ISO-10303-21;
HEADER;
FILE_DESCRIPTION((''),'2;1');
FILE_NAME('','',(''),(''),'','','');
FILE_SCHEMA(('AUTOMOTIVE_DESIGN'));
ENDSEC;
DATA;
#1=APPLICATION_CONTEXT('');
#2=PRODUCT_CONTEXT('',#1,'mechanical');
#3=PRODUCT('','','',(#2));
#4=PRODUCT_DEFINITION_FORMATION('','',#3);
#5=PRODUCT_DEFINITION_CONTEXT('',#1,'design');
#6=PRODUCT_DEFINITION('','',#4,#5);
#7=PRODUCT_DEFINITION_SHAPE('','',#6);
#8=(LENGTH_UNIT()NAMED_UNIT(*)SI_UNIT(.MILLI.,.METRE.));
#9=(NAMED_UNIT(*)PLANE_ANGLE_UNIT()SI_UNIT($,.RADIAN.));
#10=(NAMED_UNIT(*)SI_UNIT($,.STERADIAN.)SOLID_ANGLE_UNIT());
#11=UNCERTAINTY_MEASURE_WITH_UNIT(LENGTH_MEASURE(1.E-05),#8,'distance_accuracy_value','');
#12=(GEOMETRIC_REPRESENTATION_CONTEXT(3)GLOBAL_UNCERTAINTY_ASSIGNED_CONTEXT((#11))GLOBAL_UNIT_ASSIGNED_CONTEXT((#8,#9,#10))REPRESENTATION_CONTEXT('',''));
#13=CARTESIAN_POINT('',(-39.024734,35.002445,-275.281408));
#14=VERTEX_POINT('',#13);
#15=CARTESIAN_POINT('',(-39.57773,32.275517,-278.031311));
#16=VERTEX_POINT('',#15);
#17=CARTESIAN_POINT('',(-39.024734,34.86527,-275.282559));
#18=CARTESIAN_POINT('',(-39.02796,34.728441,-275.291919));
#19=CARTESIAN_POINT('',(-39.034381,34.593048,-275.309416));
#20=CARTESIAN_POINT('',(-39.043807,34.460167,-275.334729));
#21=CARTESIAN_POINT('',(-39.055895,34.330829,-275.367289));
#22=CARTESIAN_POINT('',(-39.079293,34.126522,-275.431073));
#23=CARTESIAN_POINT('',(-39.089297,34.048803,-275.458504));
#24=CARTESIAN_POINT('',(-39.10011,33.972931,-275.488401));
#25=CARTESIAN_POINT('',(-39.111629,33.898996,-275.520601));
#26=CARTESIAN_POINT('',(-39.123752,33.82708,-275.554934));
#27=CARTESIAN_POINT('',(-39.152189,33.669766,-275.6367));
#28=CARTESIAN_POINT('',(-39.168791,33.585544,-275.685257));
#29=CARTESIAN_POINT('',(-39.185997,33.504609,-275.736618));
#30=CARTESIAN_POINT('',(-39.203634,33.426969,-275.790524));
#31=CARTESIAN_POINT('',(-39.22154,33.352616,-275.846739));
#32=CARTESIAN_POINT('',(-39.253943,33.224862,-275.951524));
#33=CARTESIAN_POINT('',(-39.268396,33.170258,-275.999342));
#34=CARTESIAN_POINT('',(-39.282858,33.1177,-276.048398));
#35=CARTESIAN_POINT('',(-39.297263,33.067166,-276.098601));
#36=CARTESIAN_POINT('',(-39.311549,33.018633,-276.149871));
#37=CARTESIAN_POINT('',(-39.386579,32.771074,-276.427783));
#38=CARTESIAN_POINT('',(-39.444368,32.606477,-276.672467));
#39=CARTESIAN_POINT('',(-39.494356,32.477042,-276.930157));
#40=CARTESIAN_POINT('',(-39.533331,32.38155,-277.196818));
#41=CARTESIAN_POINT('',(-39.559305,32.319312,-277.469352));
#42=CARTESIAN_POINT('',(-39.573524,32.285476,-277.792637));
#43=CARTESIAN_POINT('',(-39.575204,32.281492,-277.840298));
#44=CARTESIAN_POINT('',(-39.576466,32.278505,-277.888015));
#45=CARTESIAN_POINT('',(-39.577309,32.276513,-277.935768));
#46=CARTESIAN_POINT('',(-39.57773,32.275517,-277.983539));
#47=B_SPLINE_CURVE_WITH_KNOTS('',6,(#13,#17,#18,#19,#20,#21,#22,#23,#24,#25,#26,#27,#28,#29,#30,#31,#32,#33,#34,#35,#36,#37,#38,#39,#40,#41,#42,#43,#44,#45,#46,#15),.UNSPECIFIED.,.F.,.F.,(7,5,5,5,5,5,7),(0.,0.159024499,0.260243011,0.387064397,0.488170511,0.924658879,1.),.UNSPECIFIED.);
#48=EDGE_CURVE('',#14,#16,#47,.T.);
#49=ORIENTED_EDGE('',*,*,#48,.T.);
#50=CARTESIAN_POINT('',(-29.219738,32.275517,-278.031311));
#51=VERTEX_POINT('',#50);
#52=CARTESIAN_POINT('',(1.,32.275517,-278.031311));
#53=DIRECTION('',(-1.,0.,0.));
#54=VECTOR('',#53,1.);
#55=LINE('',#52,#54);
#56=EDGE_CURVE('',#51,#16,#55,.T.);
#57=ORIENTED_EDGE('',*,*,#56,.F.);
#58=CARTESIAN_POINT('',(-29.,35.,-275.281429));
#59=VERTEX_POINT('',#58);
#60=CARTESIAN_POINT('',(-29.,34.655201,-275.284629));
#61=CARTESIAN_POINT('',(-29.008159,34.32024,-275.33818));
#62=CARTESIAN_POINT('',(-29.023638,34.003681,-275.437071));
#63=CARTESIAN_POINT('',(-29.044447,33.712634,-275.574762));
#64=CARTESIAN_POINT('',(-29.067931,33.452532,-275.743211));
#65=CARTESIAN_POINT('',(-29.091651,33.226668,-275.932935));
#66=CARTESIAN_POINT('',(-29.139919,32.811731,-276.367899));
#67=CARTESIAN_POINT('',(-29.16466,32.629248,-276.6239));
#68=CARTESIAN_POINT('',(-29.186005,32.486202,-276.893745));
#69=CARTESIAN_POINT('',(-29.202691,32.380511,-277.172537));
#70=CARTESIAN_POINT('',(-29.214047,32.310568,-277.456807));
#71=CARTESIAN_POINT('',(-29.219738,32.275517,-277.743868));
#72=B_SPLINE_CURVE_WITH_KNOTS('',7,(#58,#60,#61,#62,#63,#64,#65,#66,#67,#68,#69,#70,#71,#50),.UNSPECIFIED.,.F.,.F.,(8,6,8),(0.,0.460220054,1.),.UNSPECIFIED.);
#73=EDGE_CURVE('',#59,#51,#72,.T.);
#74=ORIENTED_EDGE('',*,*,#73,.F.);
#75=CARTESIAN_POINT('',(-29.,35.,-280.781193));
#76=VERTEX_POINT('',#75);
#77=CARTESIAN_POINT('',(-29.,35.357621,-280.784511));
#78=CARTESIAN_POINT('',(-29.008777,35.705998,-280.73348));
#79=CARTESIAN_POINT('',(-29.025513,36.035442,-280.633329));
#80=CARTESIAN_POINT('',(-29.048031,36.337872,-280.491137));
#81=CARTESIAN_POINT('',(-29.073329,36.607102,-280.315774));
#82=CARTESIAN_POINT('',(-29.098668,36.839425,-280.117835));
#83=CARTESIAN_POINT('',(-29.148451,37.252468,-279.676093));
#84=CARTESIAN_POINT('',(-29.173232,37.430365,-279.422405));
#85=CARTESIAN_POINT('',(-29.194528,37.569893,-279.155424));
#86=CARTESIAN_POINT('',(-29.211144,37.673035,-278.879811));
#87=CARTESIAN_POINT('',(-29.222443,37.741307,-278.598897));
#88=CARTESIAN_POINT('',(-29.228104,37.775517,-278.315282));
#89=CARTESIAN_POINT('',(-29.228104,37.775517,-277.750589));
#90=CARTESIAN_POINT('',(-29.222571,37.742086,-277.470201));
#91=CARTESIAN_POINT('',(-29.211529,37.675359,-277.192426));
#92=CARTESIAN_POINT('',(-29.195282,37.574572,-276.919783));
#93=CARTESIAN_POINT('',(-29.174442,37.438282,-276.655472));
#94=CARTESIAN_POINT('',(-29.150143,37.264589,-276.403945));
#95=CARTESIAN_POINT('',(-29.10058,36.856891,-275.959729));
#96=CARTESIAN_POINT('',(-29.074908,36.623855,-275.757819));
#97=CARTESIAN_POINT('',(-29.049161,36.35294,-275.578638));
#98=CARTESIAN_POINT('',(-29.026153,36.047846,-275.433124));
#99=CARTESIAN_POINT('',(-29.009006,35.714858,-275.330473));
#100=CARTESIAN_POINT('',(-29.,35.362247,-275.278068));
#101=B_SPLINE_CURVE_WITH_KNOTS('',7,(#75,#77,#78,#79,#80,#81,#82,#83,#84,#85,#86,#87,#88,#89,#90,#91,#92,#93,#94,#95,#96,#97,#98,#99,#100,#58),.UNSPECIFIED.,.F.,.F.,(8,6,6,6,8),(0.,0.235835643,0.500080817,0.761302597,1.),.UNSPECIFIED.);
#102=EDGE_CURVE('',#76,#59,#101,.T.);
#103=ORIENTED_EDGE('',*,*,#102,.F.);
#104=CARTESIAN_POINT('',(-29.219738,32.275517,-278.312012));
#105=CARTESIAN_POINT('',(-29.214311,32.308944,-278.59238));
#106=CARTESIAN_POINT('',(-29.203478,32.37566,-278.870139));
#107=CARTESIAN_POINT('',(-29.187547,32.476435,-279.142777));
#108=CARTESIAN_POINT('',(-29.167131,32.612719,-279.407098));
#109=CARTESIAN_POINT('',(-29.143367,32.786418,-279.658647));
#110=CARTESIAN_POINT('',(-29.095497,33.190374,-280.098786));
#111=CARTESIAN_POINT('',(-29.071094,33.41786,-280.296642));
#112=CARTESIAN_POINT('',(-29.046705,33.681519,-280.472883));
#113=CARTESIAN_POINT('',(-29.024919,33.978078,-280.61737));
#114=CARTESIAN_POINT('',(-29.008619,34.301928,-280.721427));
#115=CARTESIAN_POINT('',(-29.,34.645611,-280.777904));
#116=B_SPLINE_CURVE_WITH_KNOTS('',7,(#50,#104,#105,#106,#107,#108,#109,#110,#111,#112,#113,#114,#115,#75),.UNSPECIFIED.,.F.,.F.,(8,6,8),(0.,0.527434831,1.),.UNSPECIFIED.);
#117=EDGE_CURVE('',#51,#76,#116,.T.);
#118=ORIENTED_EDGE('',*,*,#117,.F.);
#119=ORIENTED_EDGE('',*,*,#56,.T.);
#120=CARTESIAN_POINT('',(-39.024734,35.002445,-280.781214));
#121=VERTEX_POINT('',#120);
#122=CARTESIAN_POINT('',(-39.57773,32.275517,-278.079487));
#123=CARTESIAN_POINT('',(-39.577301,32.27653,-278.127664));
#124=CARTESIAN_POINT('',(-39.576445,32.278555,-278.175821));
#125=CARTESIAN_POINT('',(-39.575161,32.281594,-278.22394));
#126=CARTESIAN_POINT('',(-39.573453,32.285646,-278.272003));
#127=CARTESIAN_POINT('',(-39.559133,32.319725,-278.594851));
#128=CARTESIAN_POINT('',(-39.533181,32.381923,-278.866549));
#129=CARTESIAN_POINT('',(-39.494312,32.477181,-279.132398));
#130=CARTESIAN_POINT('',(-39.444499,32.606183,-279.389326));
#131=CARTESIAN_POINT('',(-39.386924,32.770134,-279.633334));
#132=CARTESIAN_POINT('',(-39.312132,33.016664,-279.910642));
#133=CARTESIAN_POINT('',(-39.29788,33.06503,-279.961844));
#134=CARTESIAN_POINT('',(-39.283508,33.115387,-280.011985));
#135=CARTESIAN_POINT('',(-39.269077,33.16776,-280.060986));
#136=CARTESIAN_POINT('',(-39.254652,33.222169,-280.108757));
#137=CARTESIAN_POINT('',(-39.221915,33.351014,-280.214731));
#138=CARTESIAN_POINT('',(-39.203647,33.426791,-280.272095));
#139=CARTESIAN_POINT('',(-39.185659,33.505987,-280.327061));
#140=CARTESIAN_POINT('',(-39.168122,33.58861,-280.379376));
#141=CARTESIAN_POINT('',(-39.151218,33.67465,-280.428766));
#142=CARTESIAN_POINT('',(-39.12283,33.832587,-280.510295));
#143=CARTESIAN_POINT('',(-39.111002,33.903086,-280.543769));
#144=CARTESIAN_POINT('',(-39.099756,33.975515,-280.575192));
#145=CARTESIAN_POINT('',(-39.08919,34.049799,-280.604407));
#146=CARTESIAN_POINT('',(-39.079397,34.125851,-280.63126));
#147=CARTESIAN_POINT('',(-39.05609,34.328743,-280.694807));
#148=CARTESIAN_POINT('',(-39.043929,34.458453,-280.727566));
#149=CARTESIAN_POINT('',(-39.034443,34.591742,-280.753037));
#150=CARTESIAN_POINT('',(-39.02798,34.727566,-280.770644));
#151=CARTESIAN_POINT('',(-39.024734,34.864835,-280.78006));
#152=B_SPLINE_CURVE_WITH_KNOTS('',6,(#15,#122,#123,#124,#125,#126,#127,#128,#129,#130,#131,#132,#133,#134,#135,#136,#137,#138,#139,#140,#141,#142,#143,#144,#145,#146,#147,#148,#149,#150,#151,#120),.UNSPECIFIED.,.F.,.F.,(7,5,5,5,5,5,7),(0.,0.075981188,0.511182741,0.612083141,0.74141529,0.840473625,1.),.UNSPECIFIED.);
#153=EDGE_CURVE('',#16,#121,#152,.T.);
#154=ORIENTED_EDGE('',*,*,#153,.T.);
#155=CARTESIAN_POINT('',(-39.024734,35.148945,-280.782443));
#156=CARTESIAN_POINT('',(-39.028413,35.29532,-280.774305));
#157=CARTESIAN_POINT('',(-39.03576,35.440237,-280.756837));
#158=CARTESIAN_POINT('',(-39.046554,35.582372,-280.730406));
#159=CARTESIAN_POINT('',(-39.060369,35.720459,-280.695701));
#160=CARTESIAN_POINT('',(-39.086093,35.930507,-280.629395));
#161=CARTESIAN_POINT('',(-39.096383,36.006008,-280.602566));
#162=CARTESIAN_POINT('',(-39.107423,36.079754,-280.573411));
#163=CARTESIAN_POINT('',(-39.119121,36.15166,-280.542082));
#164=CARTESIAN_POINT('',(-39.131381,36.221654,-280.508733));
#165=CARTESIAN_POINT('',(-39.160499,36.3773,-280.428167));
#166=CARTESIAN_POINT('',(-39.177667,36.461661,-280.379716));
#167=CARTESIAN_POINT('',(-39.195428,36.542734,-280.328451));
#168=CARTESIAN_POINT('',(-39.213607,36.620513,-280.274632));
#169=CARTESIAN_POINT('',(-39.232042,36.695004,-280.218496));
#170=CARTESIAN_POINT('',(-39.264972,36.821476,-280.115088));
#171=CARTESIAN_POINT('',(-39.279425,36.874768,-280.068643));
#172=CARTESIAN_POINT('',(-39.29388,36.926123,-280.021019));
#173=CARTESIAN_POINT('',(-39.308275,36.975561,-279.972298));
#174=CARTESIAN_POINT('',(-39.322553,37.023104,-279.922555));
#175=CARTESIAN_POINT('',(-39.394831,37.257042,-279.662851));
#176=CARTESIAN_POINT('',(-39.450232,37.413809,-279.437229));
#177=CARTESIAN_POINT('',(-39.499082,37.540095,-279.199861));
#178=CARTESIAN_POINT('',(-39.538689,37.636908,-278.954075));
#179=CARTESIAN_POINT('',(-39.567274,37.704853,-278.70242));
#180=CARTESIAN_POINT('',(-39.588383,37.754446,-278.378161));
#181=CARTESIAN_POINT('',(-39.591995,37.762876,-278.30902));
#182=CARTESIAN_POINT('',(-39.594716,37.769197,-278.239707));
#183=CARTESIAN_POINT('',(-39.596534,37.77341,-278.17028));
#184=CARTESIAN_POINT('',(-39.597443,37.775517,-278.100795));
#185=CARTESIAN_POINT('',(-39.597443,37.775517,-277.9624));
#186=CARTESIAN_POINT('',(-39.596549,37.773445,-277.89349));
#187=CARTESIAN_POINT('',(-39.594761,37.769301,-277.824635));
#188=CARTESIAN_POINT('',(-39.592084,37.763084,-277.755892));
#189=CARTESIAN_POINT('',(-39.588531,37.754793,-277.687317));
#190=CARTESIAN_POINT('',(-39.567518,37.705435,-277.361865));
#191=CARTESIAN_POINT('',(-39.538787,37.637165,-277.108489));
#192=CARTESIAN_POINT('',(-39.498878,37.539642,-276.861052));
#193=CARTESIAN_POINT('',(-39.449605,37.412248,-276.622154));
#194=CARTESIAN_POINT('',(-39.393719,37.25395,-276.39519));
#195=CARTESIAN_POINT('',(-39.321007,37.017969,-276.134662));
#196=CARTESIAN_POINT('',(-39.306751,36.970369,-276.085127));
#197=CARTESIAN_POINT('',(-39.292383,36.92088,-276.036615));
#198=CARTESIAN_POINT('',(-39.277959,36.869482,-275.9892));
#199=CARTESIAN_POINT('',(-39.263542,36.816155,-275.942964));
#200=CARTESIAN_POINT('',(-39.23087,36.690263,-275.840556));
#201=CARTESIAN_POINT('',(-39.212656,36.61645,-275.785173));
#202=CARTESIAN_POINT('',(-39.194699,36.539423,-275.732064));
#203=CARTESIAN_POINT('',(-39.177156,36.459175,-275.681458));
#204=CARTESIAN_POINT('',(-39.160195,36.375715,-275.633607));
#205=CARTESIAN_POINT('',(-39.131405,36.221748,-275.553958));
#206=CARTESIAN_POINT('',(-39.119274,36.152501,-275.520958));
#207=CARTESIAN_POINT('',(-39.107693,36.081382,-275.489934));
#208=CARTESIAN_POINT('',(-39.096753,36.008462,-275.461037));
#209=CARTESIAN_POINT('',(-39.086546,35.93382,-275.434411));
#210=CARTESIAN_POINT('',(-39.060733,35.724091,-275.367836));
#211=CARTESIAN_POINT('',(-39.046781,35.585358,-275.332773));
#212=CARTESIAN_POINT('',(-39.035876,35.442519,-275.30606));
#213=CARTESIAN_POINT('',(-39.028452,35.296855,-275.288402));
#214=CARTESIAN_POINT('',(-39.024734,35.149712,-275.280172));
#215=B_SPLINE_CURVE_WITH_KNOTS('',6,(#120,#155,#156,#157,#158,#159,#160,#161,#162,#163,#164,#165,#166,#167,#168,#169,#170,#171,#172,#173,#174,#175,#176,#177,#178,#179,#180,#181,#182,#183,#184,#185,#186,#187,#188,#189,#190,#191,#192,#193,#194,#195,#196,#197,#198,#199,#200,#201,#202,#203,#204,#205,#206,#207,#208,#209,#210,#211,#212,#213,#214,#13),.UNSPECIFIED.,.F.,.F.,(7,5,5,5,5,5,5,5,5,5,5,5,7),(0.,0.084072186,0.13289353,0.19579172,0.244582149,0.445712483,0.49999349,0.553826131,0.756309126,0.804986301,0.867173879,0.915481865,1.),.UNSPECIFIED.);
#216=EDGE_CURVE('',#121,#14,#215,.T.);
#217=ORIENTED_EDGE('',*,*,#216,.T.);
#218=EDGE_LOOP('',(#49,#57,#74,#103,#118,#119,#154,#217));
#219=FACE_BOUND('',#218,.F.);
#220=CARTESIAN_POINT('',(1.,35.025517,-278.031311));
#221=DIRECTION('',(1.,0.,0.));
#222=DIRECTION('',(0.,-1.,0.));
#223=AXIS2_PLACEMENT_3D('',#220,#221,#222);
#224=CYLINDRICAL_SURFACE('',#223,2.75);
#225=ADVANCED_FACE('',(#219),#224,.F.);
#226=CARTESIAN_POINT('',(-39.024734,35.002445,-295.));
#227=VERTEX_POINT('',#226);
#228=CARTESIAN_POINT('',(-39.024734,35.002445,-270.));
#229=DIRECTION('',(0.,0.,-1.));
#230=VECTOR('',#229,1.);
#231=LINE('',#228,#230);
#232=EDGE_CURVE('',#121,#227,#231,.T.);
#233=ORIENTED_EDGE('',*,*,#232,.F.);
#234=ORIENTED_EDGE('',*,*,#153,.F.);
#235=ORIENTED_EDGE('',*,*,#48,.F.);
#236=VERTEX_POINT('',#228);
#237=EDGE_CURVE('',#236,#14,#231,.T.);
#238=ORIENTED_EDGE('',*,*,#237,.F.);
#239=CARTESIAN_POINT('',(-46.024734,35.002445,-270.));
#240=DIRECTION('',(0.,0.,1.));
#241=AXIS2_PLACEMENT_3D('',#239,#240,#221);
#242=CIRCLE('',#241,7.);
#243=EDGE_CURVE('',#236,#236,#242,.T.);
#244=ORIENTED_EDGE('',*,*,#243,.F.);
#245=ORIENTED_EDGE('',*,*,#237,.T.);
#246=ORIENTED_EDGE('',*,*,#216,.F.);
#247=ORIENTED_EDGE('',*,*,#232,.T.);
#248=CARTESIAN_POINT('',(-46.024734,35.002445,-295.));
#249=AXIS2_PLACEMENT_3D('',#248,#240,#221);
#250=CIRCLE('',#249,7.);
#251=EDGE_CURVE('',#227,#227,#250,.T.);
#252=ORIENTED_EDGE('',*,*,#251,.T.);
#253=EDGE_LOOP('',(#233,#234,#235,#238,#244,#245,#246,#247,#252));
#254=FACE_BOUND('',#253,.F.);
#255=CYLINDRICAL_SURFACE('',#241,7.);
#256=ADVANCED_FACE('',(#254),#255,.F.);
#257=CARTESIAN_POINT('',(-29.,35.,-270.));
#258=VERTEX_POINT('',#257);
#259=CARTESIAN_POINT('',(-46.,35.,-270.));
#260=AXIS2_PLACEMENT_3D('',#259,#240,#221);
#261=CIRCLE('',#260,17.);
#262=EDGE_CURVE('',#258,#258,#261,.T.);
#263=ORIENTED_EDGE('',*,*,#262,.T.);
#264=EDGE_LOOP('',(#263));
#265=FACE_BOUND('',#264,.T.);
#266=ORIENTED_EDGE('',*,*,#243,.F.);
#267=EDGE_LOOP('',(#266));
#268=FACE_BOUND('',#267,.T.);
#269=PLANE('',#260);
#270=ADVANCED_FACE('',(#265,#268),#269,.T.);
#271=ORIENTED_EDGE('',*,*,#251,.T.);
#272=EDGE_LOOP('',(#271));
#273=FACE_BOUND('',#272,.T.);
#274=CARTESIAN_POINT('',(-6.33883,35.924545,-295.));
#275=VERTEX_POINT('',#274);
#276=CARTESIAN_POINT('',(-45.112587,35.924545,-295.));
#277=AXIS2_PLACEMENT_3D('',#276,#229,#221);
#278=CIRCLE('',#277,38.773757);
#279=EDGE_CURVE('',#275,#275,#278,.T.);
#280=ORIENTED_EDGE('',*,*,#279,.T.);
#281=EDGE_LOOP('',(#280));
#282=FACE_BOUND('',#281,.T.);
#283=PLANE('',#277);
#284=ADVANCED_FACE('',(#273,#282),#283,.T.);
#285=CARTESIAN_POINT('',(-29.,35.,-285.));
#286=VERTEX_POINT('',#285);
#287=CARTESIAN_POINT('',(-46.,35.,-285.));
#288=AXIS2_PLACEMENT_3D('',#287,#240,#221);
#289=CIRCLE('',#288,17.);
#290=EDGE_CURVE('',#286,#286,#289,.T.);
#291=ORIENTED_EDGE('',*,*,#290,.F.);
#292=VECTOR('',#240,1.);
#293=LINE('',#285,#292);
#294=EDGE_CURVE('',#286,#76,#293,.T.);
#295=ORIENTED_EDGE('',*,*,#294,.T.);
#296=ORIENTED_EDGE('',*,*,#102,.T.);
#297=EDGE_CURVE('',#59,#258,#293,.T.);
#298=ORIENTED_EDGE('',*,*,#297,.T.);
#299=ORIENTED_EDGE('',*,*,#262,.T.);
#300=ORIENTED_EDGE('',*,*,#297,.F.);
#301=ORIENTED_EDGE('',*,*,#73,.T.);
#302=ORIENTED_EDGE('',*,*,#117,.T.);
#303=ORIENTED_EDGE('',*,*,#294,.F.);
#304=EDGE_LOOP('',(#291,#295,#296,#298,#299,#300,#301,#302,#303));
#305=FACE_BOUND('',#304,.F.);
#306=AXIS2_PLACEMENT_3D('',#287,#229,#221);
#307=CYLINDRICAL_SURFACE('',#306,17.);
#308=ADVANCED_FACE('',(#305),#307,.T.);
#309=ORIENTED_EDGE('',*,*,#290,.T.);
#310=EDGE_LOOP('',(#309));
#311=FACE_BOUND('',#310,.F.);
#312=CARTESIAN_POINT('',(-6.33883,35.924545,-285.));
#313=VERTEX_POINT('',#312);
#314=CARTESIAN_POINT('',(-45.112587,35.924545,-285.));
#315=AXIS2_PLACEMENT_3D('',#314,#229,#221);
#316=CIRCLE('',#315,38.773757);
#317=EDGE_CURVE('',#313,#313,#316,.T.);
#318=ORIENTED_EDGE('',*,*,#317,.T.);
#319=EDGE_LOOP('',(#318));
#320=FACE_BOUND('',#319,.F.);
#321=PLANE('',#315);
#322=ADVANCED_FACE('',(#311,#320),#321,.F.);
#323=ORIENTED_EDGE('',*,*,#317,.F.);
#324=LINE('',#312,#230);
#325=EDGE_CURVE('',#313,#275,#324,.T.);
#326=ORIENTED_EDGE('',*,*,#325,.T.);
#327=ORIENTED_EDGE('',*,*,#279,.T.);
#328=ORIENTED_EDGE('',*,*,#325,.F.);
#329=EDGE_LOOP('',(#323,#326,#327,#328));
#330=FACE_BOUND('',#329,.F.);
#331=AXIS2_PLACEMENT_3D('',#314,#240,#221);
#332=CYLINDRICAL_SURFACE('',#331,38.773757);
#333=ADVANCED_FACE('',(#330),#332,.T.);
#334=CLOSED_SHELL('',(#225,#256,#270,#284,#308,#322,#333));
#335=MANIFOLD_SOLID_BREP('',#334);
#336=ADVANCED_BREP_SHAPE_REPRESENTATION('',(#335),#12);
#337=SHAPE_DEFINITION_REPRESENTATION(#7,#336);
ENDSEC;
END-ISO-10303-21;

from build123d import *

# Parameters (mm, degrees)
SKETCH014_R             = 38.773757
PAD007_DEPTH            = 10
SKETCH015_R             = 17
PAD008_DEPTH            = 15
SKETCH016_R             = 7
HOLE004_DEPTH           = 33
SKETCH017_R             = 2.75
HOLE005_DEPTH           = 41.347633
HOLE005_TIPS_R          = 2.75
BODY007_PLACEMENT_ANGLE = 180


with BuildPart() as part:
    # Sketch014 → Pad007 (new body)
    with BuildSketch(Plane.XY):
        with Locations((-46.112587, 35.075455)):
            Circle(SKETCH014_R)
    extrude(amount=PAD007_DEPTH)

    # Sketch015 (on Face2 of Pad007) → Pad008 (join)
    with BuildSketch(Plane(origin=(0, 0, 0), x_dir=(1, 0, 0), z_dir=(0, 0, -1))):
        with Locations((-47, -36)):
            Circle(SKETCH015_R)
    extrude(amount=PAD008_DEPTH)

    # Sketch016 (on Face5 of Pad008) → Hole004 (cut)
    with BuildSketch(Plane(origin=(0, 0, -15), x_dir=(1, 0, 0), z_dir=(0, 0, -1))):
        with Locations((-47.024734, -35.997555)):
            Circle(SKETCH016_R)
    extrude(amount=-HOLE004_DEPTH, mode=Mode.SUBTRACT)

    # Sketch017 → Hole005 (cut)
    with BuildSketch(Plane.YZ):
        with Locations((35.974483, -6.968689)):
            Circle(SKETCH017_R)
    extrude(amount=-HOLE005_DEPTH, mode=Mode.SUBTRACT)

    # Hole005 tips → Hole005 tip 1 section 0
    with BuildSketch(Plane.YZ.offset(-41.347633), mode=Mode.PRIVATE) as hole005_tip_1_s0:
        with Locations((35.974483, -6.968689)):
            Circle(HOLE005_TIPS_R)
    loft([hole005_tip_1_s0.sketch, Vertex(-43, 35.974483, -6.968689)], mode=Mode.SUBTRACT)


with BuildPart() as part_1:
    # Body007 placement: moved
    add(part.part.moved(Location((1, 71, -285))).rotate(Axis((1, 71, -285), (1, 0, 0)), BODY007_PLACEMENT_ANGLE))


solid = part_1.part
